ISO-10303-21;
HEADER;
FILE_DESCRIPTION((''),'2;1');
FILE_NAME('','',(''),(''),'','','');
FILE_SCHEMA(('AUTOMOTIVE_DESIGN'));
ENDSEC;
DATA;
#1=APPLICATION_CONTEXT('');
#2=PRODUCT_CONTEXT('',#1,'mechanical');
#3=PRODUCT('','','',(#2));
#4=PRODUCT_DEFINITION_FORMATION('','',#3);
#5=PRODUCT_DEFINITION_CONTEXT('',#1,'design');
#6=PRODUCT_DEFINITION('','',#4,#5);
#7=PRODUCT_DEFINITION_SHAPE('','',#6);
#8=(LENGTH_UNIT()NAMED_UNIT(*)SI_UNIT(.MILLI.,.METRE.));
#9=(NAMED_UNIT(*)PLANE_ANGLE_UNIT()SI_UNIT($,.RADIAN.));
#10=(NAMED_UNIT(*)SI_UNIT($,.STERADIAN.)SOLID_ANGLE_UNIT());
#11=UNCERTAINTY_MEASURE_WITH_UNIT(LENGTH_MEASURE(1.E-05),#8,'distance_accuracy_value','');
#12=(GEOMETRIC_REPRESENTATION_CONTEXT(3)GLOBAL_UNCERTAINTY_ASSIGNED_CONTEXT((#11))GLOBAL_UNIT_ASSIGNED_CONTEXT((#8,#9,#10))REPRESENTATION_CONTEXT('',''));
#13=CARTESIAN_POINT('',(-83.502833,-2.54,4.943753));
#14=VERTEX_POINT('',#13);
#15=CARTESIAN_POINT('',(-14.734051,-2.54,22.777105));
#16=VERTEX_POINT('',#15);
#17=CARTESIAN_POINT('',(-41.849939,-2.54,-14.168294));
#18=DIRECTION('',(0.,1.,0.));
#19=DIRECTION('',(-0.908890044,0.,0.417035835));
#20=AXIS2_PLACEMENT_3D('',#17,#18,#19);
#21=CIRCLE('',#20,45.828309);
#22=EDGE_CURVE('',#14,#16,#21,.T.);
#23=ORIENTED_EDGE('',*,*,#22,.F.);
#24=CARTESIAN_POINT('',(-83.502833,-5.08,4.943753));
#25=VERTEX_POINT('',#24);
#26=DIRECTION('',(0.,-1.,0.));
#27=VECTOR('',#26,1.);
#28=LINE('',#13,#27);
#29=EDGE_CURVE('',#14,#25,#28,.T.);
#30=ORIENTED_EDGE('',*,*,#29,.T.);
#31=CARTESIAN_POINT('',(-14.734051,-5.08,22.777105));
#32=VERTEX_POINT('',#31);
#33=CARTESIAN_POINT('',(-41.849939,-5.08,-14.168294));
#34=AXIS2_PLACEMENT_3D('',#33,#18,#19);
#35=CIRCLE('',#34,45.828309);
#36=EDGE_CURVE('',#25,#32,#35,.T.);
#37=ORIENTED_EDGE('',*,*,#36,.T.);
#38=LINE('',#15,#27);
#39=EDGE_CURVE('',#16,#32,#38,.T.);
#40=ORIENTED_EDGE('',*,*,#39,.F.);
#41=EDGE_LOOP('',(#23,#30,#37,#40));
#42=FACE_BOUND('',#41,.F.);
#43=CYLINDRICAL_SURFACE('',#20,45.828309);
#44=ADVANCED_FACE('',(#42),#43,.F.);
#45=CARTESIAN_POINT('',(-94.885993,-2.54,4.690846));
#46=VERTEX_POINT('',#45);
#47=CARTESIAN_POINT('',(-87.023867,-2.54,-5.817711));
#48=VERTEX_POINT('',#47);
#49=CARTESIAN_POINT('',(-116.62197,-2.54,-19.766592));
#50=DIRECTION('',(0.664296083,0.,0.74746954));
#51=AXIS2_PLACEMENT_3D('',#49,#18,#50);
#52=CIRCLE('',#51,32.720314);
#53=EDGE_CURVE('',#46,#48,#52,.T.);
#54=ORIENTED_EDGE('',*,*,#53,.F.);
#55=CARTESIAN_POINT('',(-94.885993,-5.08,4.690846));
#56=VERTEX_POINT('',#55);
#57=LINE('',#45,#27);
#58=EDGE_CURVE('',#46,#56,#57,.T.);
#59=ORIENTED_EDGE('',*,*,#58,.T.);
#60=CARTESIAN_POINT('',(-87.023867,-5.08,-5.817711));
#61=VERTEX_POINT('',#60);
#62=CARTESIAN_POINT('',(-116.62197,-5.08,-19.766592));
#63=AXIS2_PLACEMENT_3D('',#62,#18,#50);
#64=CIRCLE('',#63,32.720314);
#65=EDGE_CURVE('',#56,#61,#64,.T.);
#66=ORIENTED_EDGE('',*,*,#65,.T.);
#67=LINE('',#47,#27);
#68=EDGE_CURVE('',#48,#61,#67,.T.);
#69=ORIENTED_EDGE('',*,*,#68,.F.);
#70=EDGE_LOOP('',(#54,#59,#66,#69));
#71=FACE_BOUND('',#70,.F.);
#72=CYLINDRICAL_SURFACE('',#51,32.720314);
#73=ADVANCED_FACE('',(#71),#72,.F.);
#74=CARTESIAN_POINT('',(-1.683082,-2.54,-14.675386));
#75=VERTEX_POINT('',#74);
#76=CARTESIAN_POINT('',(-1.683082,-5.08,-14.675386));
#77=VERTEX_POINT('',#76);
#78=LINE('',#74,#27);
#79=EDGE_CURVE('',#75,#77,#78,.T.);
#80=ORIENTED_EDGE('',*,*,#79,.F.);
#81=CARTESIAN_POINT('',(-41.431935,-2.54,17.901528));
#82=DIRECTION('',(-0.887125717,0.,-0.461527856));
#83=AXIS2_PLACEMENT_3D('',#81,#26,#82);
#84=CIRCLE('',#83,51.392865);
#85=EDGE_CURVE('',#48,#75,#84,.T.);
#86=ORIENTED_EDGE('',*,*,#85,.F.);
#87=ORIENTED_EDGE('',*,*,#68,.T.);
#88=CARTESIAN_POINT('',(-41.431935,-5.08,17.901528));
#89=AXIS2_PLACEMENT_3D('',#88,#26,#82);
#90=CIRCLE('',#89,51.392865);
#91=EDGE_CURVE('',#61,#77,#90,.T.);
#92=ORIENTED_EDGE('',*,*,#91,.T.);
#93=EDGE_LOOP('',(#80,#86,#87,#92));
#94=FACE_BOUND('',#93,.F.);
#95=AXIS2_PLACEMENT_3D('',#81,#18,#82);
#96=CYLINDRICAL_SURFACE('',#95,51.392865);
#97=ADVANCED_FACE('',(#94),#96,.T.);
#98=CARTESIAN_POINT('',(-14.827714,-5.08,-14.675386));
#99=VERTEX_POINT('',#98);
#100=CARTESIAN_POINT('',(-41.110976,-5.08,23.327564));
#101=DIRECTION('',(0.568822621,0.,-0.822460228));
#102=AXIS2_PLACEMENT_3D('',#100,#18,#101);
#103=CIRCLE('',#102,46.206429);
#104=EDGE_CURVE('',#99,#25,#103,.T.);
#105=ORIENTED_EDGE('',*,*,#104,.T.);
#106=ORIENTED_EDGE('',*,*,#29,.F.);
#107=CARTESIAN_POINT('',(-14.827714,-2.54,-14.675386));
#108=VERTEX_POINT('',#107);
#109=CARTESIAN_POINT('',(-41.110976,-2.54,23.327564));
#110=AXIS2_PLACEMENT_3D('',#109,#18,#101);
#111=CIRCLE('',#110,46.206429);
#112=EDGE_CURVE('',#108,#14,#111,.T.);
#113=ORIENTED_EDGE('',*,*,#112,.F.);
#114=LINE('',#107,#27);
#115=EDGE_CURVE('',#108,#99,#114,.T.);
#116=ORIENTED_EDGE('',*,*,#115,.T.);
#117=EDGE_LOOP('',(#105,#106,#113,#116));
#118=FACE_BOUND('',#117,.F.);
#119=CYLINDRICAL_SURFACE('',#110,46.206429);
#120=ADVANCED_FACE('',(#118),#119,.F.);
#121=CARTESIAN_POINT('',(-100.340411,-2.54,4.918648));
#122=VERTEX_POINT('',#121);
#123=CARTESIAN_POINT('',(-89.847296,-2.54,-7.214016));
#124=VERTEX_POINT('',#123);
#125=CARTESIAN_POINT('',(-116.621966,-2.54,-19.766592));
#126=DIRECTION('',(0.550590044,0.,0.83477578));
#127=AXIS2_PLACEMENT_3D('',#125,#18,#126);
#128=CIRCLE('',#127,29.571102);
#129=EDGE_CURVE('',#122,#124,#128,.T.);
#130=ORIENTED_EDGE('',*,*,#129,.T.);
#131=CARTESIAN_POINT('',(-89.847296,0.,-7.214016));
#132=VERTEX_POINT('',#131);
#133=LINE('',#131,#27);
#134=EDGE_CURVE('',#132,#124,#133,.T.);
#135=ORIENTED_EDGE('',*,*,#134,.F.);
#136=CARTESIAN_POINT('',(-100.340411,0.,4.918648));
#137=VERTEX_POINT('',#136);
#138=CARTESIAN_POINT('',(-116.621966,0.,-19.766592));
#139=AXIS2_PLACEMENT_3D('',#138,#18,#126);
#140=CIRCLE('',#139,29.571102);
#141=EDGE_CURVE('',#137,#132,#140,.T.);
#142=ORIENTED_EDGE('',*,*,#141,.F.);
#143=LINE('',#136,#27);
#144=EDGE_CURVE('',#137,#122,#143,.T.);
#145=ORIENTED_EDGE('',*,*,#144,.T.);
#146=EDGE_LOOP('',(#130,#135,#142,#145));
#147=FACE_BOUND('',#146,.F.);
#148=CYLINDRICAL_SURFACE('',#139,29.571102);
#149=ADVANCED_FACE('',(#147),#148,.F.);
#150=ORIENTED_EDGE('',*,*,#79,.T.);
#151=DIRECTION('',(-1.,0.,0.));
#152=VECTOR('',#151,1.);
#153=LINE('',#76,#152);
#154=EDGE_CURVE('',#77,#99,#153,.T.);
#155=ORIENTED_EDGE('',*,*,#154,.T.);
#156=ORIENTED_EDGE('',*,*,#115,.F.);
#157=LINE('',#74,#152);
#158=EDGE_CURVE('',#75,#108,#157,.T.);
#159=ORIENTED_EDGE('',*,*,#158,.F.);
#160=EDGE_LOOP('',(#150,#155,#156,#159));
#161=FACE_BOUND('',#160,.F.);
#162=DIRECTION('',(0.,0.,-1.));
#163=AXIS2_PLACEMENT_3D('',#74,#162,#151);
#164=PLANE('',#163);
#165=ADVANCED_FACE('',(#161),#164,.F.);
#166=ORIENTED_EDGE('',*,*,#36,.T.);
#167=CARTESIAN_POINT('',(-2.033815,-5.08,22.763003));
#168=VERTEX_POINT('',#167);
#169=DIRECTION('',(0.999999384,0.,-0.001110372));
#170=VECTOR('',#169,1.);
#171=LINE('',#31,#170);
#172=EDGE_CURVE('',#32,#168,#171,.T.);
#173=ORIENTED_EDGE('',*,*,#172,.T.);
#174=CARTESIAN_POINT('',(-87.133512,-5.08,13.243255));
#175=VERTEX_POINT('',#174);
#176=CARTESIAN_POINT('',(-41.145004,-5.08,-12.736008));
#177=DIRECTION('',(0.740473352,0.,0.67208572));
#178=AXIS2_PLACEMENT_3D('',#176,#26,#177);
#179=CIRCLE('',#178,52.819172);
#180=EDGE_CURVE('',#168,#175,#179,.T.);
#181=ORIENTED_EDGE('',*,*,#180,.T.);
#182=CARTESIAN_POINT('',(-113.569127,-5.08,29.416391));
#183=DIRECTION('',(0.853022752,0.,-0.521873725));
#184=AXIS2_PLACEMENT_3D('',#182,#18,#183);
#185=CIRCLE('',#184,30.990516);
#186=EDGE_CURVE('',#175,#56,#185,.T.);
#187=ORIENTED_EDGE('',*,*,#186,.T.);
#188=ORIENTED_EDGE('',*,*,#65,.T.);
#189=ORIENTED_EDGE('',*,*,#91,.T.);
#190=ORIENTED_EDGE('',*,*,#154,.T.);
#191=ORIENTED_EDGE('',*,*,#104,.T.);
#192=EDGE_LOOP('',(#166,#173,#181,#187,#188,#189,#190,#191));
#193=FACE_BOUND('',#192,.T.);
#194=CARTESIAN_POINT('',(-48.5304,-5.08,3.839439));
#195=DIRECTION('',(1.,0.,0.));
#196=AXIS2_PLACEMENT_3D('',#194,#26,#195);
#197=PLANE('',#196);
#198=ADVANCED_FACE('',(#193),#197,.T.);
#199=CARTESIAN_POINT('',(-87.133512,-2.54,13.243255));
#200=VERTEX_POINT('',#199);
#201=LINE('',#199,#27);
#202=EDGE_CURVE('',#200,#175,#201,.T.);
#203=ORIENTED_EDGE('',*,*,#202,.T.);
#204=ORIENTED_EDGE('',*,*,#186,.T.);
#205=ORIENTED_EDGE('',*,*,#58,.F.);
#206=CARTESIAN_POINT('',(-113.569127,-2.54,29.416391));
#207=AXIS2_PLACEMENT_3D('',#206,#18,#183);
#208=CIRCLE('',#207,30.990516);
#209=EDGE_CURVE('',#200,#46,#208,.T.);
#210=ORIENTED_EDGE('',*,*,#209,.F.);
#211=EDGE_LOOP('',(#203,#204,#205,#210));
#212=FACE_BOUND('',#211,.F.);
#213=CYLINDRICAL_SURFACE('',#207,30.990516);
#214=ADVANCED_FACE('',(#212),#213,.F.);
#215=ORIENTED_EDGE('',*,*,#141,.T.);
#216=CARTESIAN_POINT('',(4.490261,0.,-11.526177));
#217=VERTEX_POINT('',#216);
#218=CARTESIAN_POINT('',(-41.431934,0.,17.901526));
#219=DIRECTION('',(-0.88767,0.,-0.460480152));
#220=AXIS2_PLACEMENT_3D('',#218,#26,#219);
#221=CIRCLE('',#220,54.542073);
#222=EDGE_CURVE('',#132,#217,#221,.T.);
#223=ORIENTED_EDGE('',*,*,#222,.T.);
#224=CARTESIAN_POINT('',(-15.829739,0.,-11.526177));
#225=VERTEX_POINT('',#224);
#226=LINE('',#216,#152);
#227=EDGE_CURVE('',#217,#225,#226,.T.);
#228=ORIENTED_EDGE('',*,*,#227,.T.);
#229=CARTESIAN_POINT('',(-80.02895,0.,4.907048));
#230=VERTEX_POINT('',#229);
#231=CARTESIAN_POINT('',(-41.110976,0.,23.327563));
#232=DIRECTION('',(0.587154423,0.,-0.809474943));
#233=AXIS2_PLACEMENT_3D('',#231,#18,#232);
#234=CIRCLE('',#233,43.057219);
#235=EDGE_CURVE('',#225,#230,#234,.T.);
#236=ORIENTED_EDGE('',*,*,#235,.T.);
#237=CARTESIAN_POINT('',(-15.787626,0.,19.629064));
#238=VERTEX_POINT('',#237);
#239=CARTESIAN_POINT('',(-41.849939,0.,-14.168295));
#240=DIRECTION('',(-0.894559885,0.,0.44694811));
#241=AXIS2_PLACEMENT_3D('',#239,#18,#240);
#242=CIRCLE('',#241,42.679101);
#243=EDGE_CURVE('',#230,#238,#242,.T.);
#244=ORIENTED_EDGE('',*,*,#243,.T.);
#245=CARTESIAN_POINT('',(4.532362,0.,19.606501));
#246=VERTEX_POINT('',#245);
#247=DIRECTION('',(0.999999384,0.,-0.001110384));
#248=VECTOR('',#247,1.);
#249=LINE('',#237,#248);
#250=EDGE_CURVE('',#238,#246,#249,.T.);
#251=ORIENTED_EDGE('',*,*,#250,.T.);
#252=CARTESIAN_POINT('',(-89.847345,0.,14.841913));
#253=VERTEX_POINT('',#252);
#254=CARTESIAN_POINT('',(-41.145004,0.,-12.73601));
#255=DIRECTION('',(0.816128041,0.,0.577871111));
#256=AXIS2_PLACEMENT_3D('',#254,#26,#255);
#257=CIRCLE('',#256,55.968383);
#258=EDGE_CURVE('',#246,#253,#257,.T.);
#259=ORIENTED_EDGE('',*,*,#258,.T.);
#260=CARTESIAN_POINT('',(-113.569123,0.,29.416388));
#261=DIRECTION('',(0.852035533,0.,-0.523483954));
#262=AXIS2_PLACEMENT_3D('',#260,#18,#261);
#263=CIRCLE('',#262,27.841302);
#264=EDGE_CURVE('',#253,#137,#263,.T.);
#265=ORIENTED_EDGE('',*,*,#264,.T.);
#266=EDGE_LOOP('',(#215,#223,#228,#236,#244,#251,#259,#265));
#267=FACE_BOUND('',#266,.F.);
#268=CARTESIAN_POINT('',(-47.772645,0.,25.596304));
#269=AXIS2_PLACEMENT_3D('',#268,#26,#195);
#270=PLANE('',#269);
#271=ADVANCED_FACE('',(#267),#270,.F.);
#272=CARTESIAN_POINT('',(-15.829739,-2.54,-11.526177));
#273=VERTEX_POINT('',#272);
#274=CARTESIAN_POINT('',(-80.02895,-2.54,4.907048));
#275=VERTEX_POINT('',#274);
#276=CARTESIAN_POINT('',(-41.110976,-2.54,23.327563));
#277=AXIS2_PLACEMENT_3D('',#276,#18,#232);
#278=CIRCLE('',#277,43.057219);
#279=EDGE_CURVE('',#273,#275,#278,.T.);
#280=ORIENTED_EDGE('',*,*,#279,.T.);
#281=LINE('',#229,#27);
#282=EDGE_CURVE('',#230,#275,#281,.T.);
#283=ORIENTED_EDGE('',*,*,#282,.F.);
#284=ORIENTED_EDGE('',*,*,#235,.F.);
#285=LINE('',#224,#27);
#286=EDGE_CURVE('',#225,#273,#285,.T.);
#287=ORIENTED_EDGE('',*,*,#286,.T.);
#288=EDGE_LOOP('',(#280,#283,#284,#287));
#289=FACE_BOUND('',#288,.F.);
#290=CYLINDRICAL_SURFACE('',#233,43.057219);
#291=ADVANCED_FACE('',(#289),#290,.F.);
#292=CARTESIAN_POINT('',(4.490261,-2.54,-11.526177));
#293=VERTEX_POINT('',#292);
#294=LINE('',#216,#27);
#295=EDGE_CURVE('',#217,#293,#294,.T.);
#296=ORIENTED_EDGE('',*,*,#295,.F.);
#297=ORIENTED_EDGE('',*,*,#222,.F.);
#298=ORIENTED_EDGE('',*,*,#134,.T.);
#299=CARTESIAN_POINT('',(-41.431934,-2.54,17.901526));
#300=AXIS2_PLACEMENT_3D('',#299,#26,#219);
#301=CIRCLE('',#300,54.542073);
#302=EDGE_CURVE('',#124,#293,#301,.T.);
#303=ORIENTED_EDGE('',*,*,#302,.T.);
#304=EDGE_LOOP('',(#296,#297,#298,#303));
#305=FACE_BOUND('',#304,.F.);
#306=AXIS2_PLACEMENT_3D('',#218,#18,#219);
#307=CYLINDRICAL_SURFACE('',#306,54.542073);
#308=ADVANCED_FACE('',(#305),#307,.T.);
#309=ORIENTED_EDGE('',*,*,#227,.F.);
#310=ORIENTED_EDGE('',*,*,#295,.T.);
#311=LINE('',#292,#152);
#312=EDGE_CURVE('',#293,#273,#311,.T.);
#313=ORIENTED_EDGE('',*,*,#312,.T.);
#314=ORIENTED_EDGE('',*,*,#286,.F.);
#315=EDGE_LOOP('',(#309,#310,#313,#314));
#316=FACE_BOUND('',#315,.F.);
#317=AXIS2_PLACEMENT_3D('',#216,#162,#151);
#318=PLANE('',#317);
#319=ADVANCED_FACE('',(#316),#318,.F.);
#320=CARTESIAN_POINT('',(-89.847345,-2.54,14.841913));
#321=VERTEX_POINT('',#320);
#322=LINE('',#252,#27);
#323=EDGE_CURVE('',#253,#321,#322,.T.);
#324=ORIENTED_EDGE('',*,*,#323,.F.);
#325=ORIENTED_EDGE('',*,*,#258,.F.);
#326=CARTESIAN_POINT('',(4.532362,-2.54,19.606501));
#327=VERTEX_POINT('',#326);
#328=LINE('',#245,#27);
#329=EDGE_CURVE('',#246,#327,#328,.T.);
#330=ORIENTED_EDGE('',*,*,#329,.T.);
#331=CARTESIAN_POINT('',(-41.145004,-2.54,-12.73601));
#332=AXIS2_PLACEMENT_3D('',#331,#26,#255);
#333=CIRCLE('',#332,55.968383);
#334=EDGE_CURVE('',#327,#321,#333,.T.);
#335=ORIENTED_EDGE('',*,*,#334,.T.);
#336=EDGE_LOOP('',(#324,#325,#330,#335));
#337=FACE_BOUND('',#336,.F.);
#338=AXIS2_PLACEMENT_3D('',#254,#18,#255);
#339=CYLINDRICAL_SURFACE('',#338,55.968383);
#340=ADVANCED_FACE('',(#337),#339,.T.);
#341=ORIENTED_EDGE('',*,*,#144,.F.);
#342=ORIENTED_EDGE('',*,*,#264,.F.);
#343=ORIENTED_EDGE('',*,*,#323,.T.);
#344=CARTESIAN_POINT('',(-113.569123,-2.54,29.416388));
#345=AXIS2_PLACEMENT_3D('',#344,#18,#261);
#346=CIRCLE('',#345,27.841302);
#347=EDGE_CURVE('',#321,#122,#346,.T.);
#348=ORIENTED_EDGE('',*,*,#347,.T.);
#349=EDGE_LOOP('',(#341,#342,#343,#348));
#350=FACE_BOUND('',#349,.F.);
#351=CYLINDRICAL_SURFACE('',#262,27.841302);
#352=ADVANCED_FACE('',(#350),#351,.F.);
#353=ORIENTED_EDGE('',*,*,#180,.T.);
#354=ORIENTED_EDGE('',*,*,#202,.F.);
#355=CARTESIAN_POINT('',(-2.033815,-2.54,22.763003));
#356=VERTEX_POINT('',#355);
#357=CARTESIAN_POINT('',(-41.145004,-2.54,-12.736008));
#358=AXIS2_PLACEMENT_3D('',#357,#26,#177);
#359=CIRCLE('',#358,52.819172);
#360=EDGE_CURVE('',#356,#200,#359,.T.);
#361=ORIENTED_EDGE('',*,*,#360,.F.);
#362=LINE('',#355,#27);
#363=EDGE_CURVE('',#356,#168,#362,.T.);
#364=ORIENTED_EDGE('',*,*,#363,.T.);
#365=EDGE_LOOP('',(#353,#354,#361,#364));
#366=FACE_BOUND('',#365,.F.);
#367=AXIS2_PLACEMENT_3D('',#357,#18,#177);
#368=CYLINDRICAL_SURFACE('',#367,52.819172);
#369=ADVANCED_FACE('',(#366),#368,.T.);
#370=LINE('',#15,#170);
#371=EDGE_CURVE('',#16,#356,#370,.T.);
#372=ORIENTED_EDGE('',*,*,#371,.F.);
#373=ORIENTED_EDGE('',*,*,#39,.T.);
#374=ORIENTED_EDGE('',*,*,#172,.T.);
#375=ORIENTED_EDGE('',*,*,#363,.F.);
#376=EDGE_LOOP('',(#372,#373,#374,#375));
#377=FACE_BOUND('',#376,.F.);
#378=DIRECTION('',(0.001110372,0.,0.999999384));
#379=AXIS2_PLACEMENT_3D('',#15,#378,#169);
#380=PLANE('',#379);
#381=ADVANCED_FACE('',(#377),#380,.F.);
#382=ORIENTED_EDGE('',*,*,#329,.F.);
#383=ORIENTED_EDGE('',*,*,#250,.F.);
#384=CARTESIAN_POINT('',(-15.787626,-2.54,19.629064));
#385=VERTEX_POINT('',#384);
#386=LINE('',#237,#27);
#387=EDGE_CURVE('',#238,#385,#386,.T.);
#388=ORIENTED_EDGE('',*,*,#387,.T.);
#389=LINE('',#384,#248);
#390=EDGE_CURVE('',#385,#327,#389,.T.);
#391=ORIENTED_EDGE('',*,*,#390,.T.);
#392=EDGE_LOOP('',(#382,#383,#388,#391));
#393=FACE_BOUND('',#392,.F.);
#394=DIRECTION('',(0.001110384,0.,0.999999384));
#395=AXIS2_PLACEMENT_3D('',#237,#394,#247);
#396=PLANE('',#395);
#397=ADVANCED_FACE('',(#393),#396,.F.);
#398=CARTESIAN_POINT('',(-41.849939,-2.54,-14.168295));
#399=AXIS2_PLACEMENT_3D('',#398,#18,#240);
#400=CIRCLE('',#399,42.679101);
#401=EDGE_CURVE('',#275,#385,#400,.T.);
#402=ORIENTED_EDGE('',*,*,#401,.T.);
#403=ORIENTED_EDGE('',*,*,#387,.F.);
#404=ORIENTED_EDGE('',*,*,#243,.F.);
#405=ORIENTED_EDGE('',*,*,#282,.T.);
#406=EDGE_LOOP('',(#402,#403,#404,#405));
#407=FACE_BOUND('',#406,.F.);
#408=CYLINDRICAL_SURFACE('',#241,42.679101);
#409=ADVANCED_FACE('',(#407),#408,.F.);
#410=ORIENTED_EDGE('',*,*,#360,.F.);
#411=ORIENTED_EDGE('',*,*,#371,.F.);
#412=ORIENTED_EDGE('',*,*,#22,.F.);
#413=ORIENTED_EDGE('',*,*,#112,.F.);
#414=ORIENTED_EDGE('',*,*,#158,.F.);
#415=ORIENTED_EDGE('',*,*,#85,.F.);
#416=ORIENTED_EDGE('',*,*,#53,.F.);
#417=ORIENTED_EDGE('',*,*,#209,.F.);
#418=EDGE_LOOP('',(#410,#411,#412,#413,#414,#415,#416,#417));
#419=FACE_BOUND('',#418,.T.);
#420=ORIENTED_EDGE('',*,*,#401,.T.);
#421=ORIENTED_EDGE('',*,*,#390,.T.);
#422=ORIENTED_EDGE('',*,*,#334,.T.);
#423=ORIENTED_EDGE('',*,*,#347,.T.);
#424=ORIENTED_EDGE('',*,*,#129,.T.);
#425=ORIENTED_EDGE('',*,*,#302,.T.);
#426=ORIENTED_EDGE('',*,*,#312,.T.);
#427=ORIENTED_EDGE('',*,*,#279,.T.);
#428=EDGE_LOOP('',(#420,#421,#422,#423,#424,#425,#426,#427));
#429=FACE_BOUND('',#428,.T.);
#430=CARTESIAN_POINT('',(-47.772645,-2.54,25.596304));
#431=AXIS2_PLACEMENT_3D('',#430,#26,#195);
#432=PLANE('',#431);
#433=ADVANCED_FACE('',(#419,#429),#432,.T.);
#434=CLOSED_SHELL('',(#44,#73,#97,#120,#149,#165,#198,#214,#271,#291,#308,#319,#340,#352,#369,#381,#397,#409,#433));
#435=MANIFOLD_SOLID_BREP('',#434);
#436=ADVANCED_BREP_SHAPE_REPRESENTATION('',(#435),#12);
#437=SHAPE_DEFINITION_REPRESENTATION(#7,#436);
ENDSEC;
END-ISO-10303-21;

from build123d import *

# Parameters (mm, degrees)
F1_DEPTH = 2.54
F3_DEPTH = 2.54


with BuildPart() as f1:
    # F0 (on Front) → F1 (new body)
    with BuildSketch(Plane.XZ):
        with BuildLine():
            ThreePointArc((-89.847345, 14.841913), (-94.439239, 9.188051), (-100.340411, 4.918648))
            Line((-100.340411, 4.918648), (-94.748697, 4.915454))
            ThreePointArc((-94.748697, 4.915454), (-90.597251, 8.757316), (-87.215808, 13.291656))
            ThreePointArc((-87.215808, 13.291656), (-46.919736, 39.862572), (-1.818631, 22.667304))
            Line((-1.818631, 22.667304), (-14.765388, 22.681681))
            ThreePointArc((-14.765388, 22.681681), (-53.29409, 30.109521), (-83.398286, 4.942655))
            ThreePointArc((-83.398286, 4.942655), (-83.390957, 4.925808), (-83.383622, 4.908964))
            Line((-83.383622, 4.908964), (-80.02895, 4.907048))
            ThreePointArc((-80.02895, 4.907048), (-51.38346, 27.432397), (-15.787626, 19.629064))
            Line((-15.787626, 19.629064), (4.532362, 19.606501))
            ThreePointArc((4.532362, 19.606501), (-43.966873, 43.161189), (-89.847345, 14.841913))
        make_face()
        with BuildLine():
            ThreePointArc((-87.215808, 13.291656), (-90.597251, 8.757316), (-94.748697, 4.915454))
            Line((-94.748697, 4.915454), (-83.383622, 4.908964))
            ThreePointArc((-83.383622, 4.908964), (-83.390957, 4.925808), (-83.398286, 4.942655))
            ThreePointArc((-83.398286, 4.942655), (-53.29409, 30.109521), (-14.765388, 22.681681))
            Line((-14.765388, 22.681681), (-1.818631, 22.667304))
            ThreePointArc((-1.818631, 22.667304), (-46.919736, 39.862572), (-87.215808, 13.291656))
        make_face()
        with BuildLine():
            Line((-83.383622, 4.908964), (-94.748697, 4.915454))
            ThreePointArc((-94.748697, 4.915454), (-94.892409, 4.805729), (-95.03676, 4.696847))
            ThreePointArc((-95.03676, 4.696847), (-90.533513, -0.176453), (-87.109419, -5.860101))
            ThreePointArc((-87.109419, -5.860101), (-46.648241, -33.321883), (-1.481932, -14.579927))
            Line((-1.481932, -14.579927), (-14.857525, -14.579927))
            ThreePointArc((-14.857525, -14.579927), (-53.724772, -21.024591), (-83.383622, 4.908964))
        make_face()
        with BuildLine():
            Line((-94.748697, 4.915454), (-100.340411, 4.918648))
            ThreePointArc((-100.340411, 4.918648), (-94.255473, -0.422598), (-89.847296, -7.214016))
            ThreePointArc((-89.847296, -7.214016), (-43.922447, -36.583656), (4.490261, -11.526177))
            Line((4.490261, -11.526177), (-15.829739, -11.526177))
            ThreePointArc((-15.829739, -11.526177), (-51.788189, -18.3848), (-80.02895, 4.907048))
            Line((-80.02895, 4.907048), (-83.383622, 4.908964))
            ThreePointArc((-83.383622, 4.908964), (-53.724772, -21.024591), (-14.857525, -14.579927))
            Line((-14.857525, -14.579927), (-1.481932, -14.579927))
            ThreePointArc((-1.481932, -14.579927), (-46.648241, -33.321883), (-87.109419, -5.860101))
            ThreePointArc((-87.109419, -5.860101), (-90.533513, -0.176453), (-95.03676, 4.696847))
            ThreePointArc((-95.03676, 4.696847), (-94.892409, 4.805729), (-94.748697, 4.915454))
        make_face()
    extrude(amount=F1_DEPTH)

    # F2 (on face) → F3 (join)
    with BuildSketch(Plane.XZ.offset(2.54)):
        with BuildLine():
            Line((-14.734051, 22.777105), (-2.033815, 22.763003))
            ThreePointArc((-2.033815, 22.763003), (-47.017038, 39.755745), (-87.133512, 13.243255))
            ThreePointArc((-87.133512, 13.243255), (-90.608045, 8.602915), (-94.885993, 4.690846))
            ThreePointArc((-94.885993, 4.690846), (-90.42265, -0.165199), (-87.023867, -5.817711))
            ThreePointArc((-87.023867, -5.817711), (-46.737592, -33.216733), (-1.683082, -14.675386))
            Line((-1.683082, -14.675386), (-14.827714, -14.675386))
            ThreePointArc((-14.827714, -14.675386), (-53.803468, -21.101421), (-83.502833, 4.943753))
            ThreePointArc((-83.502833, 4.943753), (-53.353775, 30.192676), (-14.734051, 22.777105))
        make_face()
    extrude(amount=F3_DEPTH)


solid = f1.part
